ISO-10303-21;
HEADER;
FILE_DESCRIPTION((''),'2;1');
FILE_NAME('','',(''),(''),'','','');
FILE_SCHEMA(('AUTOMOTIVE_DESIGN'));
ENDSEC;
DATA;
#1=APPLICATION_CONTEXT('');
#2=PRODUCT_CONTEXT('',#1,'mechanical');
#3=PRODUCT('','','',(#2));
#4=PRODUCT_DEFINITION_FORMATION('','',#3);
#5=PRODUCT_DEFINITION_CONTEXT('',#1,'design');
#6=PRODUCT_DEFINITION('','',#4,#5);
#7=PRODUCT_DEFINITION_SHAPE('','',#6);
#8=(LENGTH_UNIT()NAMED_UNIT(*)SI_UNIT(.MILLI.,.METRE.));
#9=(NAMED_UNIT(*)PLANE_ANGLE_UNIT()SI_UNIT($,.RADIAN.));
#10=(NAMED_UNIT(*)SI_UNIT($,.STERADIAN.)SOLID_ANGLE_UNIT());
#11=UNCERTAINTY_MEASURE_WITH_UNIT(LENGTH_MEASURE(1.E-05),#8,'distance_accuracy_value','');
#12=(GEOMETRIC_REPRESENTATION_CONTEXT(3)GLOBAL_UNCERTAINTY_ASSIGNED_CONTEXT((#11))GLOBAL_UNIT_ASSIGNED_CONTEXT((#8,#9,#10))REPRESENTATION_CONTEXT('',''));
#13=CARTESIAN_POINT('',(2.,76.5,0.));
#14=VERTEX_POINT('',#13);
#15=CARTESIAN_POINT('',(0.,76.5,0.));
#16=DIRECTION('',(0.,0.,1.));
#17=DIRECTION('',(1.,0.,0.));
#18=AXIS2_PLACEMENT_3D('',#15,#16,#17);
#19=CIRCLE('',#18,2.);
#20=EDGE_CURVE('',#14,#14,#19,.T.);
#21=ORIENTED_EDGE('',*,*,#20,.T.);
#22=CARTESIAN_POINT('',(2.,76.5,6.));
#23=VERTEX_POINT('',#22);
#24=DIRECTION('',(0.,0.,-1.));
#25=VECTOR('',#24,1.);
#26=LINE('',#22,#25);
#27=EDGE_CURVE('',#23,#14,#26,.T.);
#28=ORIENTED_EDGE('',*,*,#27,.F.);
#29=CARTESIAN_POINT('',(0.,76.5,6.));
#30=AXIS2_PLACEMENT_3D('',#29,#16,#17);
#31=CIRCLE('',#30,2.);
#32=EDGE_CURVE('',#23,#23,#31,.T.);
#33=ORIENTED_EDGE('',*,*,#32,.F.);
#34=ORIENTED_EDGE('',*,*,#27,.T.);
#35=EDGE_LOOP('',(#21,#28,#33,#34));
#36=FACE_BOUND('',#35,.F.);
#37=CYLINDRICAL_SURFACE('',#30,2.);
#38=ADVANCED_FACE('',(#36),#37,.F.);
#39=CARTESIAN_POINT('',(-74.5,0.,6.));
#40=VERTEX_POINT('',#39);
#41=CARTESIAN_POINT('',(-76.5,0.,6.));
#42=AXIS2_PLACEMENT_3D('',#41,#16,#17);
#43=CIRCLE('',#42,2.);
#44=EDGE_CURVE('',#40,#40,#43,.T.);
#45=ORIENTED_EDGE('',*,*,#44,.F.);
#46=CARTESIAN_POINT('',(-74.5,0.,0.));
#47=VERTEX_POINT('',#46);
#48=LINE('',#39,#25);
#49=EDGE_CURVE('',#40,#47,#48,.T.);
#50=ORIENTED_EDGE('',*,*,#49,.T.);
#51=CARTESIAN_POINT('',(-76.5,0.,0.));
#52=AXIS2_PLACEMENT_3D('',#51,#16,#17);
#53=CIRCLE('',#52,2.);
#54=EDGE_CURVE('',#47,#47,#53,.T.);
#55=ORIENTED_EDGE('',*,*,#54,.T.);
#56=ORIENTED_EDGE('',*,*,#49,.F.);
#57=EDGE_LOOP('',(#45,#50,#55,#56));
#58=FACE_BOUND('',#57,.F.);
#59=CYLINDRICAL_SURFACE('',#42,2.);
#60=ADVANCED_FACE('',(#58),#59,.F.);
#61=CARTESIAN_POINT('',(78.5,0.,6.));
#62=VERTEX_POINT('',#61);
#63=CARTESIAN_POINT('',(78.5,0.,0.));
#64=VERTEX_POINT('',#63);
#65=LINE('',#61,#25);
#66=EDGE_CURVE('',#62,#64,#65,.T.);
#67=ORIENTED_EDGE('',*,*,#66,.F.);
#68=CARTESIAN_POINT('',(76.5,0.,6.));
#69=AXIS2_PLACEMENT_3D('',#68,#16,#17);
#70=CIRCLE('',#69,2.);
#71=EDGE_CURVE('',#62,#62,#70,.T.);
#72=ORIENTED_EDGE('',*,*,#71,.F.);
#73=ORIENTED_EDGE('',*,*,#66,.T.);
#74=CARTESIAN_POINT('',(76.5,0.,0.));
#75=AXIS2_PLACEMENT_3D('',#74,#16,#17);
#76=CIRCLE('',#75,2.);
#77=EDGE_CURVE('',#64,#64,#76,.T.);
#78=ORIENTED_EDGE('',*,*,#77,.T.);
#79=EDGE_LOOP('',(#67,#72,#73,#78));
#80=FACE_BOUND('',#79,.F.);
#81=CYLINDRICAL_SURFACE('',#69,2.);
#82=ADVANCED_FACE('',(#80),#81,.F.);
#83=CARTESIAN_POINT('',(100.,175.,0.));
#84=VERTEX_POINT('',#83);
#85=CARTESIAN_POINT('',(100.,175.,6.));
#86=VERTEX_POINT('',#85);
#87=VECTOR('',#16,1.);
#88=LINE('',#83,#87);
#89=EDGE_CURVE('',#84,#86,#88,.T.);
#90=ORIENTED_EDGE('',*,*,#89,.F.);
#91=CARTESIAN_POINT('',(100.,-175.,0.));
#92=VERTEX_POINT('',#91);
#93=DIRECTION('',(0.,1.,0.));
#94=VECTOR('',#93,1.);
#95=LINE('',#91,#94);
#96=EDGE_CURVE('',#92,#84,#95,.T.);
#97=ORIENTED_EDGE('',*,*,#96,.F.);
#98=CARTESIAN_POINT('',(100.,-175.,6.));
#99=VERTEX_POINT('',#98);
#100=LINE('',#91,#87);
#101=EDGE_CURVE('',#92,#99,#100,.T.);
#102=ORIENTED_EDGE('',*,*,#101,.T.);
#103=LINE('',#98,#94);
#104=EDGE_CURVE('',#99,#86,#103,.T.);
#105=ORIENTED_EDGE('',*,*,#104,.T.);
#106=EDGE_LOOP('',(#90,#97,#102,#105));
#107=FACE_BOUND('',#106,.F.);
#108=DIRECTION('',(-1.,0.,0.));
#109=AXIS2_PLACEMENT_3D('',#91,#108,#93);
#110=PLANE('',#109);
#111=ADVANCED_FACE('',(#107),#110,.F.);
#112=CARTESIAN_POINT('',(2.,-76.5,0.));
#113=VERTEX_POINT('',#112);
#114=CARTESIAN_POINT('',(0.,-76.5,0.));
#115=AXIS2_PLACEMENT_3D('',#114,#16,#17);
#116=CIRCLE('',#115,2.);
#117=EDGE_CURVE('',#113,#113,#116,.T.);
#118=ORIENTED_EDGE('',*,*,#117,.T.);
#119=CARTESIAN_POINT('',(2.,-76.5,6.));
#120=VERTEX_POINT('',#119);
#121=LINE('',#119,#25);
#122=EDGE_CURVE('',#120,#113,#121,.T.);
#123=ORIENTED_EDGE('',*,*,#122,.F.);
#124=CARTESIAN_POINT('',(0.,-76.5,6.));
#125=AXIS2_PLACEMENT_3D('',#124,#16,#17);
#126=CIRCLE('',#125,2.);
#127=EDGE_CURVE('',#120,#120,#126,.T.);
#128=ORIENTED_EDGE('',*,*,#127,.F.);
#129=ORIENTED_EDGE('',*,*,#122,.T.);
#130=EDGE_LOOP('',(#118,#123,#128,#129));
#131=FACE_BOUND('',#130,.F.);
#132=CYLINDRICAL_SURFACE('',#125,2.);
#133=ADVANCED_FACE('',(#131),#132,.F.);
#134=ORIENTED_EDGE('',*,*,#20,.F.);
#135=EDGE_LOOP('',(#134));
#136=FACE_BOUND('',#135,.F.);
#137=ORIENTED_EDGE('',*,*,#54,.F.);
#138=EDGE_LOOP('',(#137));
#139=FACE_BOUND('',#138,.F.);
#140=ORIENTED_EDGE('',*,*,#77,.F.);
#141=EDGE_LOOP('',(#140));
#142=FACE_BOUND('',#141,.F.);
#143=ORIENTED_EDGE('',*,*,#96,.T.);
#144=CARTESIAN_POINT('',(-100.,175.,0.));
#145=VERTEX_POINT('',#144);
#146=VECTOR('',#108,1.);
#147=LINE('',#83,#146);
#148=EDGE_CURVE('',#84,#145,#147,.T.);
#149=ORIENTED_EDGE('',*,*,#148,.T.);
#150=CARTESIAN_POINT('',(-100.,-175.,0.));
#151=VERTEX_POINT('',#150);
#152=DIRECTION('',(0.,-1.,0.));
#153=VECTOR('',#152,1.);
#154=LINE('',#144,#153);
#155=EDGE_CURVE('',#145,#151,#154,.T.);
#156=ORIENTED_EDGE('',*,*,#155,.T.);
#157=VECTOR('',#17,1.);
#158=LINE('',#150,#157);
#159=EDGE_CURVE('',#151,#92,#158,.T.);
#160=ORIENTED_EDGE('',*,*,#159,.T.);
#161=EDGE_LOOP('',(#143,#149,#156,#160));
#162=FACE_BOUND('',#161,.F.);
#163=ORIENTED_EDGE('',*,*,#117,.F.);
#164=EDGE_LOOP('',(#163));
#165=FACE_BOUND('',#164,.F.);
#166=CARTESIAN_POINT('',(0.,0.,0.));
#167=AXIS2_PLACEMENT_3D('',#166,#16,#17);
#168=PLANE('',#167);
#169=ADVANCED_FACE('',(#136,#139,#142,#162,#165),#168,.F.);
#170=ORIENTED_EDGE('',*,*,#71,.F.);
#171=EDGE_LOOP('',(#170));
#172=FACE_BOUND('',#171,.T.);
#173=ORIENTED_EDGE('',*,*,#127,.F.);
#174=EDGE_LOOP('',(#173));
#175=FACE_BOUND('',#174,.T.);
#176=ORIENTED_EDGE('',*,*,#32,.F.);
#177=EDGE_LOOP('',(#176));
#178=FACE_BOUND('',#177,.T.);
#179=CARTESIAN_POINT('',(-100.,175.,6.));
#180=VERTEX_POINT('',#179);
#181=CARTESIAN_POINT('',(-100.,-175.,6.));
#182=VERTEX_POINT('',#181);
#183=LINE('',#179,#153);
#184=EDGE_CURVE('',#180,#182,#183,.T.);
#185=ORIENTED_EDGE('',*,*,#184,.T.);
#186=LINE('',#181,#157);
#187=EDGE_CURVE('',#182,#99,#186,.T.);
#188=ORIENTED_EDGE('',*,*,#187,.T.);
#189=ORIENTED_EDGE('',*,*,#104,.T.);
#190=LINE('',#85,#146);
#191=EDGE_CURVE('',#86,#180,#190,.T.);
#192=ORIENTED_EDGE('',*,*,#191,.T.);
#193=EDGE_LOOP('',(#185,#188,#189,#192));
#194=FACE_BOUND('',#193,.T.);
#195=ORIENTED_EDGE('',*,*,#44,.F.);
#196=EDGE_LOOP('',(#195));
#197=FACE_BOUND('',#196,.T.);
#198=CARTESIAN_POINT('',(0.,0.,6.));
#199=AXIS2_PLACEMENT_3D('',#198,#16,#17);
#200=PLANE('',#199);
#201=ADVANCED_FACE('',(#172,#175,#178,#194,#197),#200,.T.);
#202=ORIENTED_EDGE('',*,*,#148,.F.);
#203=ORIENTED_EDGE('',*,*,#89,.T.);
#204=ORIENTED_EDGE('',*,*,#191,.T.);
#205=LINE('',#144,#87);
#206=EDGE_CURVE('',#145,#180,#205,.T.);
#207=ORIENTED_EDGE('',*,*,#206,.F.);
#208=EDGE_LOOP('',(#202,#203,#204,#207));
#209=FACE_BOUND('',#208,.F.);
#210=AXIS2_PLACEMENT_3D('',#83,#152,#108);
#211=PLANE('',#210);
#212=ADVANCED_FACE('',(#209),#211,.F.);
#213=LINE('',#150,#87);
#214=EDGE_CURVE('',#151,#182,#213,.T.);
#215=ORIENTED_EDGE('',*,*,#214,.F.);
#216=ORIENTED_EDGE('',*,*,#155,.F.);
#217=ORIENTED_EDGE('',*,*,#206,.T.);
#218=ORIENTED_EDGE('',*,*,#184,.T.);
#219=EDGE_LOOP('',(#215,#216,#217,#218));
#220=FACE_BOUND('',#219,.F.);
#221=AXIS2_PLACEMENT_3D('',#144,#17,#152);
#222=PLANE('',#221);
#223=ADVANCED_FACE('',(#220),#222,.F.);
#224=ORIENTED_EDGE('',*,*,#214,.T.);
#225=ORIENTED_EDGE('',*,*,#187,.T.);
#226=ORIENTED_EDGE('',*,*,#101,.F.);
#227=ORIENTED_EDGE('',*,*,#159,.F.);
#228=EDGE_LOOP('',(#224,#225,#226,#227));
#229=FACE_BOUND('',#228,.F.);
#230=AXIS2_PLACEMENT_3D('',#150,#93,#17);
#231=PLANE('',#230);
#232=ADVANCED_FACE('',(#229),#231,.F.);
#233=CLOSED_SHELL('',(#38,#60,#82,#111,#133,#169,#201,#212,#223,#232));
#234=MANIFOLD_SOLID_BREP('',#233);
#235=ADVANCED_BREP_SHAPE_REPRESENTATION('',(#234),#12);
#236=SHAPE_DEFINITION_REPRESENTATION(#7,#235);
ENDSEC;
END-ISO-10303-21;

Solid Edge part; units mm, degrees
sketch "Sketch1" plane through (0, 0, 0) normal (0, 0, 1) x (1, 0, 0)
  line L0 (-100, -175) -> (100, -175)
  line L1 (100, -175) -> (100, 175)
  line L2 (100, 175) -> (-100, 175)
  line L3 (-100, 175) -> (-100, -175)
  dimension "D1" = 350
  dimension "D2" = 200
extrude "Protrusion1" add sketch "Sketch1" along normal blind 6
sketch "Sketch2" plane through (0, 0, 6) normal (0, 0, 1) x (1, 0, 0)
  circle A0 centre (-76.5, 0) radius 2
  circle A1 centre (-76.5, 0) radius 2
  circle A2 centre (-76.5, 0) radius 2
  circle A3 centre (76.5, 0) radius 2
  circle A4 centre (0, 76.5) radius 2
  circle A5 centre (0, -76.5) radius 2
extrude "Cutout1" cut sketch "Sketch2" against normal up to next
